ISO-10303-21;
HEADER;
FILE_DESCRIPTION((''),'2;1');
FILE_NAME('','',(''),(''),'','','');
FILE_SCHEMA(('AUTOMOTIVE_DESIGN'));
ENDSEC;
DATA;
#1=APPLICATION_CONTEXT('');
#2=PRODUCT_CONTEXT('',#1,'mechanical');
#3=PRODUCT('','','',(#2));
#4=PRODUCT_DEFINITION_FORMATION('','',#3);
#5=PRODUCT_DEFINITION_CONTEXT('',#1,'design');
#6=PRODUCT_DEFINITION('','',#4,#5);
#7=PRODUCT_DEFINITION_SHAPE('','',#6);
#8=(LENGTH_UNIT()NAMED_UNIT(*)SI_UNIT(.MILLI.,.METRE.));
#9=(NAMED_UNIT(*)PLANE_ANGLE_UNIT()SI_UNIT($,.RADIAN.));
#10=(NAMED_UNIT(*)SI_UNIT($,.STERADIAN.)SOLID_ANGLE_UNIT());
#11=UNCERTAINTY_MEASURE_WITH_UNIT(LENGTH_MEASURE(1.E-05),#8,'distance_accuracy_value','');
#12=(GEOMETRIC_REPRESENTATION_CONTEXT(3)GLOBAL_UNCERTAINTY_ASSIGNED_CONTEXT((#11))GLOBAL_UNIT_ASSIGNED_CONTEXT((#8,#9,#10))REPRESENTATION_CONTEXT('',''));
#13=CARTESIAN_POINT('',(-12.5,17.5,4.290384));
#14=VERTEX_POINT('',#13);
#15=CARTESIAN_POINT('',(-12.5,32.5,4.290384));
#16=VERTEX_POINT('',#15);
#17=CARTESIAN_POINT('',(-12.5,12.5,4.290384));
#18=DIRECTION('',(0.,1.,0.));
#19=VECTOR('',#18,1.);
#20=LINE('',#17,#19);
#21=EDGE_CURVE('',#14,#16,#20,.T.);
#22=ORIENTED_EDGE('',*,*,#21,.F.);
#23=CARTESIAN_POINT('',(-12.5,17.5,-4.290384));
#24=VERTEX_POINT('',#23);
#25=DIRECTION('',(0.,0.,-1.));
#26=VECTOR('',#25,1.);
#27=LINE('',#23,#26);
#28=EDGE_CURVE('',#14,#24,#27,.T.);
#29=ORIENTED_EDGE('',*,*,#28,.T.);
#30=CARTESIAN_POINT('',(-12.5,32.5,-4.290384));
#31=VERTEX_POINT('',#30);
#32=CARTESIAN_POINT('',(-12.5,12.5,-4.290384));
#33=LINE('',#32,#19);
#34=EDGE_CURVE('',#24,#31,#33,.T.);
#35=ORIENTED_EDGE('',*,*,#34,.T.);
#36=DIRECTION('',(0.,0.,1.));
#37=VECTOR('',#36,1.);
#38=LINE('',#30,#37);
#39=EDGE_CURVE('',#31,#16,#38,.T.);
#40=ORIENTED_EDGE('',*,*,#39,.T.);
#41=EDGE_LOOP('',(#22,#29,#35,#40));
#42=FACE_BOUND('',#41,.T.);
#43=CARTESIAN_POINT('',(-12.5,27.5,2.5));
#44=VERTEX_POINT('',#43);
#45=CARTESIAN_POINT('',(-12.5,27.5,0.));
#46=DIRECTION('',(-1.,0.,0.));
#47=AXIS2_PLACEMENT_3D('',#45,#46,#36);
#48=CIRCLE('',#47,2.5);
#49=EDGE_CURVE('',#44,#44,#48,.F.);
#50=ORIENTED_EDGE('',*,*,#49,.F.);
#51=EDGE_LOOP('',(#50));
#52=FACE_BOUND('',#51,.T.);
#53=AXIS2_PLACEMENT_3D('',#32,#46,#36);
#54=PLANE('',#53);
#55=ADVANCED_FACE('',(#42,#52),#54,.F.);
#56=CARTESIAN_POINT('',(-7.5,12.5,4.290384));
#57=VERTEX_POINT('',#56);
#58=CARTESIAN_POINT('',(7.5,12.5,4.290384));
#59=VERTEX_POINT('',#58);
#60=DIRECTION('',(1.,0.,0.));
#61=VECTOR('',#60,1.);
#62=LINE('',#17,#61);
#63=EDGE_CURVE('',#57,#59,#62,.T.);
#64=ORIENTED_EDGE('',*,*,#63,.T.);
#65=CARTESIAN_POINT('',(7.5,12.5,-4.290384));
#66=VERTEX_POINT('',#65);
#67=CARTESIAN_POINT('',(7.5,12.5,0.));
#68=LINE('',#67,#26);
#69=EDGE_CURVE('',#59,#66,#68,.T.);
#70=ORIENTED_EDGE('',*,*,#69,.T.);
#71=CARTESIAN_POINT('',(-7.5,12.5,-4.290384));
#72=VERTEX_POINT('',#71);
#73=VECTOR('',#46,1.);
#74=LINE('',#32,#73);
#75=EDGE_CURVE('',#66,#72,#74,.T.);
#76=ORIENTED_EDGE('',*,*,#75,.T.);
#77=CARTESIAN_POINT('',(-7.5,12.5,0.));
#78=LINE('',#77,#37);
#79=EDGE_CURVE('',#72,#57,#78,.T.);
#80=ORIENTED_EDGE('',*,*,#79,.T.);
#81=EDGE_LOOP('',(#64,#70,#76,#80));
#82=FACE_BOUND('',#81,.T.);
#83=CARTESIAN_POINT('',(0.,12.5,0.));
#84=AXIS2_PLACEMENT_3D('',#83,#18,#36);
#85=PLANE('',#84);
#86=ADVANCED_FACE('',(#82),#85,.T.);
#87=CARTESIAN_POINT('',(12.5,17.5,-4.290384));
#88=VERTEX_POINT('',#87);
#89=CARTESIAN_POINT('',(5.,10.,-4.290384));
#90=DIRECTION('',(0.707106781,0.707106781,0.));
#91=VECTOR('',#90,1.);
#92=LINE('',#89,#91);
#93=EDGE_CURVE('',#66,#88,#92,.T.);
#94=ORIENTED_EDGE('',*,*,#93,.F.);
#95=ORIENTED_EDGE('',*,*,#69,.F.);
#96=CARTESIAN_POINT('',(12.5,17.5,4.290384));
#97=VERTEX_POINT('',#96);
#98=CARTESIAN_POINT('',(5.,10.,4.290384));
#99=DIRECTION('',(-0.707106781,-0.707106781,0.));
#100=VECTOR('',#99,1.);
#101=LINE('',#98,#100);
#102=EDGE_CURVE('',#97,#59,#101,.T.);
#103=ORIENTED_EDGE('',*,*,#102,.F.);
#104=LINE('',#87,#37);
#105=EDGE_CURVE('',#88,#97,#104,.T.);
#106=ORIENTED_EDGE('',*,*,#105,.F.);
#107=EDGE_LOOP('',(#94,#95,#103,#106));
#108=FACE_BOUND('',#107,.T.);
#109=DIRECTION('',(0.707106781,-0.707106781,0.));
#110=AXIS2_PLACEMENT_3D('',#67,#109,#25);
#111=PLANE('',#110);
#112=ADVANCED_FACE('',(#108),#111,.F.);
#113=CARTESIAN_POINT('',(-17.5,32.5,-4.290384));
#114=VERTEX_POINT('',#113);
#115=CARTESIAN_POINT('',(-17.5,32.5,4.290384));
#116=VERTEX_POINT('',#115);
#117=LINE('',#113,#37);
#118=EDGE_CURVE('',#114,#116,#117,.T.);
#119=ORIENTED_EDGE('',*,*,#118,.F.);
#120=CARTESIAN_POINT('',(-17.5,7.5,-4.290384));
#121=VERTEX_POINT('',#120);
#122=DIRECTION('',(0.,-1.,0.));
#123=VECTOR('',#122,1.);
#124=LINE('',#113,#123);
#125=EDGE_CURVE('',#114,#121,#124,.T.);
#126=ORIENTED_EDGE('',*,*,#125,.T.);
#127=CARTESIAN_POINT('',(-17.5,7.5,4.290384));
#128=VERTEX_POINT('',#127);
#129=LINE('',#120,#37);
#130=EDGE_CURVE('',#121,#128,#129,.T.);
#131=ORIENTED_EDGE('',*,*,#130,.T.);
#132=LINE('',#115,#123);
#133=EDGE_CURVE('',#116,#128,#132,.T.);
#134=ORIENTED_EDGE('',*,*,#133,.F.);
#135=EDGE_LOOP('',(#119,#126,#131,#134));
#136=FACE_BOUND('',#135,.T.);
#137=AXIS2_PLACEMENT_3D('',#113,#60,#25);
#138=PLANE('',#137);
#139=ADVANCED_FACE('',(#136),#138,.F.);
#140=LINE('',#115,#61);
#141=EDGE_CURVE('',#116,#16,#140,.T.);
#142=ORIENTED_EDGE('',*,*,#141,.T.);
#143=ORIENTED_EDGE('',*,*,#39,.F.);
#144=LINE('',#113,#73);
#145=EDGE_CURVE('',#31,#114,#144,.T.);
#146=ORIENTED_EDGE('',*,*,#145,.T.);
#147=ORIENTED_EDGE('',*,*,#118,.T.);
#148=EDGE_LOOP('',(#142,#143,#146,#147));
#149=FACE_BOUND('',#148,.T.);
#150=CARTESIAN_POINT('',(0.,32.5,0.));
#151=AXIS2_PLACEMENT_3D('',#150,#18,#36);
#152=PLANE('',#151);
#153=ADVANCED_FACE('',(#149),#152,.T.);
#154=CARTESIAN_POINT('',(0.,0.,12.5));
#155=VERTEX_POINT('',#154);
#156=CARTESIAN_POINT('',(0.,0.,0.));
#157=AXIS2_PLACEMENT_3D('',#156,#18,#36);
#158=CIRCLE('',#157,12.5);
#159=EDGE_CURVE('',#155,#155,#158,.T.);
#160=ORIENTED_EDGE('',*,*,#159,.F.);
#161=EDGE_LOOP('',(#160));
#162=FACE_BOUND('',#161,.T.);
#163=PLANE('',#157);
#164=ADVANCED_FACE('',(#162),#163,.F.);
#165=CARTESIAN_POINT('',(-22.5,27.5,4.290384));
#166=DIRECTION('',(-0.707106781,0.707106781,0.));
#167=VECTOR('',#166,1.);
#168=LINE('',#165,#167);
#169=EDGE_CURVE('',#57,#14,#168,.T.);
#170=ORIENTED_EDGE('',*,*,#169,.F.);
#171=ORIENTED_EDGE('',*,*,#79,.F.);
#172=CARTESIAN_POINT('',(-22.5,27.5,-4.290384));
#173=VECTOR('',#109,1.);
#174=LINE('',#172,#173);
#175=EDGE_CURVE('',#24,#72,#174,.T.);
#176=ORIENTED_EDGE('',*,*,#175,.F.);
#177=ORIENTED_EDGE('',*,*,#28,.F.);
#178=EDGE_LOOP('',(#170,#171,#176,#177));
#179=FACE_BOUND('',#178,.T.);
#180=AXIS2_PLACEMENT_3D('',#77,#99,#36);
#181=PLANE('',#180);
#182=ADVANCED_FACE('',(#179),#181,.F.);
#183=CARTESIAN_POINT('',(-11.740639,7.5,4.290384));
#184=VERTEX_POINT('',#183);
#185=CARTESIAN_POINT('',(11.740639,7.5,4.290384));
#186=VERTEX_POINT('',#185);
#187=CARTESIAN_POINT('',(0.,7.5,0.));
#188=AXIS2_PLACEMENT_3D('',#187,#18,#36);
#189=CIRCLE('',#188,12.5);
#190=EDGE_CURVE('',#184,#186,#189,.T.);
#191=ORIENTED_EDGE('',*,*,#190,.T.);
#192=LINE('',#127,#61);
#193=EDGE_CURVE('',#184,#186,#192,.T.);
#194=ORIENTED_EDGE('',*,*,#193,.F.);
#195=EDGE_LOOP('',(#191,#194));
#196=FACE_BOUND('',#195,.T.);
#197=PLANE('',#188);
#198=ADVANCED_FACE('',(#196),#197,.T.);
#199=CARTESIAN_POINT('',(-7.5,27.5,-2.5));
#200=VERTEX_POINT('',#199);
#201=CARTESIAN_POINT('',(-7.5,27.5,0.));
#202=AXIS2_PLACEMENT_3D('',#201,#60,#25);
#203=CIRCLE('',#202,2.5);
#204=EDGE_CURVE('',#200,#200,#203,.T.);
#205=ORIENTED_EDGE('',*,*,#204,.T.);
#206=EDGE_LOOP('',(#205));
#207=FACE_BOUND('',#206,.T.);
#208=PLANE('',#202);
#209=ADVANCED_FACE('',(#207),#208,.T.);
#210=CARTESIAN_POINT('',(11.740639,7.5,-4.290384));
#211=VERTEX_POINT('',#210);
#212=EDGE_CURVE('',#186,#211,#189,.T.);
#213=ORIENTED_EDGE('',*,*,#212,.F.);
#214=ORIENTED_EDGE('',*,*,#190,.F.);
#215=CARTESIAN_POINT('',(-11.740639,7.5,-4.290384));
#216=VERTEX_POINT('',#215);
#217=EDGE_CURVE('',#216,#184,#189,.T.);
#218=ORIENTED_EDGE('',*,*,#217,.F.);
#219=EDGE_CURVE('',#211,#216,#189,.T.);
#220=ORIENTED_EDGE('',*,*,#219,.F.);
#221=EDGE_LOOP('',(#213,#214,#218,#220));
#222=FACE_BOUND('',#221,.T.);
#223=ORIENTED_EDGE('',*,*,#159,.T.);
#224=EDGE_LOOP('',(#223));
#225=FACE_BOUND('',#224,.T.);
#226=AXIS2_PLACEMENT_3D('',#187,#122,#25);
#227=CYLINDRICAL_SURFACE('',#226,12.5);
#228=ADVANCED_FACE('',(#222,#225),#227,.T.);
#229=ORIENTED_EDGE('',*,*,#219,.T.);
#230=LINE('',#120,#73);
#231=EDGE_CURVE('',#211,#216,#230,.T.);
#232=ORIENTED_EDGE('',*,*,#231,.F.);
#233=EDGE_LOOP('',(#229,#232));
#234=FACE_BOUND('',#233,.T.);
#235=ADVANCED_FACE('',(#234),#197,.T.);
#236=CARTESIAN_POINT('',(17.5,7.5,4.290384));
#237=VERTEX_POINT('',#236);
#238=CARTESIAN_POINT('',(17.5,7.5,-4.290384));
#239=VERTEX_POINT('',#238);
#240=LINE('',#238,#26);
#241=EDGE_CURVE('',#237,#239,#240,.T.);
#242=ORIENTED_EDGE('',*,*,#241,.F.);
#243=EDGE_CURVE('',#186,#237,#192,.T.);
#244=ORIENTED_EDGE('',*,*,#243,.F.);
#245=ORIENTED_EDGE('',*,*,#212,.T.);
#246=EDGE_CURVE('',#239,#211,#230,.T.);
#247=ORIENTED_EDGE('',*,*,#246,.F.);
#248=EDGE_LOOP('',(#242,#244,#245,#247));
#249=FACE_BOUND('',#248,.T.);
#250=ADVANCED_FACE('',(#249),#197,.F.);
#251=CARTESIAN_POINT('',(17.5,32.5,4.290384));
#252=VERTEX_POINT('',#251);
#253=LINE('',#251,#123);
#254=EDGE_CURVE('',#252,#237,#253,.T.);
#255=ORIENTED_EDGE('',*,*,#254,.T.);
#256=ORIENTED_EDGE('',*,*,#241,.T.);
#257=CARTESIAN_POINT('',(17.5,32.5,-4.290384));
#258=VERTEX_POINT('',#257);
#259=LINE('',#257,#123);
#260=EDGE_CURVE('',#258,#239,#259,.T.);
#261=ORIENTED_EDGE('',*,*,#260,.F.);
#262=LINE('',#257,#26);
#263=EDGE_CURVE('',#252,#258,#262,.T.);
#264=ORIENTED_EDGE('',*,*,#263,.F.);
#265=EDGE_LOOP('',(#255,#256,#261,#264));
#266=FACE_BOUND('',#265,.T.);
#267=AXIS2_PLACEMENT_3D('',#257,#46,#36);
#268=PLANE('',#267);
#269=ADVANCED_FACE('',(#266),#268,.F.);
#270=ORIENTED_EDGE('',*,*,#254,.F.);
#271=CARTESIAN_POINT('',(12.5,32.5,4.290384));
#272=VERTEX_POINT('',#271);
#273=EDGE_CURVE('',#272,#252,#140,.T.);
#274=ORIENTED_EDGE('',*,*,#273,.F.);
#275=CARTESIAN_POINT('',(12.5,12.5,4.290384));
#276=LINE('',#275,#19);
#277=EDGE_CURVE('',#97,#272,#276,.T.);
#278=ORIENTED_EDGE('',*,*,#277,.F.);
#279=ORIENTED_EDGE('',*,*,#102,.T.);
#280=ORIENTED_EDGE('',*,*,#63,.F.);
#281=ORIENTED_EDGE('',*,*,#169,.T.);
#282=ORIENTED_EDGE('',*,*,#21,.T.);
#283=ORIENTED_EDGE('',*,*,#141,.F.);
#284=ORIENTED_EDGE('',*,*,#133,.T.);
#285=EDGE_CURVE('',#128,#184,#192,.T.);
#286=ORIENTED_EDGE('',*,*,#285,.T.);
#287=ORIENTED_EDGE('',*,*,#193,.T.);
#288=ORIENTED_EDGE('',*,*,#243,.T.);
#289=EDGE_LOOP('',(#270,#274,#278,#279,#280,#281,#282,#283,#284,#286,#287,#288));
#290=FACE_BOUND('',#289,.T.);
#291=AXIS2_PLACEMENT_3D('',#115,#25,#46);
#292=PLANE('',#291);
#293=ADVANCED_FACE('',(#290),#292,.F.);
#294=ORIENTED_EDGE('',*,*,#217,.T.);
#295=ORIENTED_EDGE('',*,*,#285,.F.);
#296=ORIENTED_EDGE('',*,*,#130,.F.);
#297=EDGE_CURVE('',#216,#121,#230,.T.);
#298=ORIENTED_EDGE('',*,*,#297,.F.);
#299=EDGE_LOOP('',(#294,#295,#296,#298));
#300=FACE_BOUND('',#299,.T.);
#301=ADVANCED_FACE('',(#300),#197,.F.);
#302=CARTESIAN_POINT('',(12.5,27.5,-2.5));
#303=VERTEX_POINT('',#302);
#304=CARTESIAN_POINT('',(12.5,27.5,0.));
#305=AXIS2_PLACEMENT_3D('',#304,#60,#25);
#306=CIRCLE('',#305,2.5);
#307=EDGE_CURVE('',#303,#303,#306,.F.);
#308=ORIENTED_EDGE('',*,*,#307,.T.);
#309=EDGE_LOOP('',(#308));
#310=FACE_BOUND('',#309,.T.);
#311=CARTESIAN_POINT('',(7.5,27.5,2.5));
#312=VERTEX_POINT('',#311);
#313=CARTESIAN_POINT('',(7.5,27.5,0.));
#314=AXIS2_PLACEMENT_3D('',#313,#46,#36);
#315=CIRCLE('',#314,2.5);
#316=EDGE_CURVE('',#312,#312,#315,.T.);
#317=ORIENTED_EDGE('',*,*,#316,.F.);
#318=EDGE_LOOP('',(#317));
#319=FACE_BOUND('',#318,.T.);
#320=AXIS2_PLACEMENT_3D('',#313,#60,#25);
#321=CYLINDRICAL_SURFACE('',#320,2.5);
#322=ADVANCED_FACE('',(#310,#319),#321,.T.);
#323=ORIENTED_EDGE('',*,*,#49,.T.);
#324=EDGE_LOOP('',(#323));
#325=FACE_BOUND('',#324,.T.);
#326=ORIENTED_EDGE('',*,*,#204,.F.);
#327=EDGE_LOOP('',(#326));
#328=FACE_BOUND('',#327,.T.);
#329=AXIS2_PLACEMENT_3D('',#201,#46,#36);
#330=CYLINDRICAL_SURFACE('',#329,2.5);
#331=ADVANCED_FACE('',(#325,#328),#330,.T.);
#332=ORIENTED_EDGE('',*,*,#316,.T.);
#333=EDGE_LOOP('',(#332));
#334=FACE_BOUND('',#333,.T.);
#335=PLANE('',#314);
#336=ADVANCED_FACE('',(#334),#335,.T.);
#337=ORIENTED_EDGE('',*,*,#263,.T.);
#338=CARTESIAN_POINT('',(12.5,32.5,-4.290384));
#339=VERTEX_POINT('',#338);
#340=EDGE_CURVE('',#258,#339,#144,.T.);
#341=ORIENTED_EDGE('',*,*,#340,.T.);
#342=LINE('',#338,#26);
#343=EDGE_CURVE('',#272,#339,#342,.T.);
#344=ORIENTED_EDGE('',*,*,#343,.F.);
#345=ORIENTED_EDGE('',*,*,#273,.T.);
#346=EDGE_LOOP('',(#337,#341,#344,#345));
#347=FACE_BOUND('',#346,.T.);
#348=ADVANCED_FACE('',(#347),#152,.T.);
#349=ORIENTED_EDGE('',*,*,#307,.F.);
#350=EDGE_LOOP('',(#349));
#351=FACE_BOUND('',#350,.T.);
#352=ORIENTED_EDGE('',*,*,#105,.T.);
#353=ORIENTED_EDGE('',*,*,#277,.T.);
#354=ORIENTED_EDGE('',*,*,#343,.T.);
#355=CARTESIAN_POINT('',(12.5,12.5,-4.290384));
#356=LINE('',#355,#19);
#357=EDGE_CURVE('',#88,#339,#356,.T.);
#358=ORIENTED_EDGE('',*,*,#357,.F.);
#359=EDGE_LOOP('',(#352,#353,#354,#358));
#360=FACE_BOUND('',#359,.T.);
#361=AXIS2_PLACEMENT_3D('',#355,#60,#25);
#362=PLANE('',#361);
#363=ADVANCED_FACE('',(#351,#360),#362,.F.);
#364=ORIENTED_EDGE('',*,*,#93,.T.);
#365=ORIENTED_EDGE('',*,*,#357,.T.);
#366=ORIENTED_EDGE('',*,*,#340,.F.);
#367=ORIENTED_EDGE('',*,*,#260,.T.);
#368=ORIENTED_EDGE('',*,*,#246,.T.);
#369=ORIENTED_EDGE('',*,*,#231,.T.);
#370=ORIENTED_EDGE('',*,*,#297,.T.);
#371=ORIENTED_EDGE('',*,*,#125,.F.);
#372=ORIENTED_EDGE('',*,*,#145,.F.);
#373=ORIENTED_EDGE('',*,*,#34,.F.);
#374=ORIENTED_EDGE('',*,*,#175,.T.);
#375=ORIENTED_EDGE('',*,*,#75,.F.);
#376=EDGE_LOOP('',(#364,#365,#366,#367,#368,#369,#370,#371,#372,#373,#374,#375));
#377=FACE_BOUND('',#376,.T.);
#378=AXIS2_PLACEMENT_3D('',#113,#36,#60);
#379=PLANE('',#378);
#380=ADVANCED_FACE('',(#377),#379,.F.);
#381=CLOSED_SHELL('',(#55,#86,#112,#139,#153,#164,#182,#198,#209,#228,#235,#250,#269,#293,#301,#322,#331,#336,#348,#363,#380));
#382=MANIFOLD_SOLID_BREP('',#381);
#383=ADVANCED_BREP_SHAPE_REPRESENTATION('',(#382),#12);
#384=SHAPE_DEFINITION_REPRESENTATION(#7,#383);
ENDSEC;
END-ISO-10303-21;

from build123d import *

# Parameters (mm, degrees)
SKETCH1_R           = 12.5
BOSS_EXTRUDE1_DEPTH = 7.5
SKETCH2_W           = 35
SKETCH2_H           = 8.580767914
BOSS_EXTRUDE2_DEPTH = 25
SKETCH3_W           = 25
SKETCH3_H           = 8.580767914
CUT_EXTRUDE1_DEPTH  = 20
SKETCH4_R           = 2.5
BOSS_EXTRUDE3_DEPTH = 5
SKETCH5_R           = 2.5
BOSS_EXTRUDE4_DEPTH = 5
CHAMFER1_SIZE       = 5
CHAMFER2_SIZE       = 5


with BuildPart() as part:
    # Sketch1 → Boss-Extrude1 (new body)
    with BuildSketch(Plane(origin=(0, 0, 0), x_dir=(1, 0, 0), z_dir=(0, 1, 0))):
        Circle(SKETCH1_R)
    extrude(amount=BOSS_EXTRUDE1_DEPTH)

    # Sketch2 → Boss-Extrude2 (add)
    with BuildSketch(Plane(origin=(0, 7.5, 0), x_dir=(1, 0, 0), z_dir=(0, 1, 0))):
        Rectangle(SKETCH2_W, SKETCH2_H)
    extrude(amount=BOSS_EXTRUDE2_DEPTH)

    # Sketch3 → Cut-Extrude1 (cut)
    with BuildSketch(Plane(origin=(0, 32.5, 0), x_dir=(1, 0, 0), z_dir=(0, 1, 0))):
        Rectangle(SKETCH3_W, SKETCH3_H)
    extrude(amount=-CUT_EXTRUDE1_DEPTH, mode=Mode.SUBTRACT)

    # Sketch4 → Boss-Extrude3 (add)
    with BuildSketch(Plane(origin=(-12.5, 0, 0), x_dir=(0, 0, -1), z_dir=(1, 0, 0))):
        with Locations((0, 27.5)):
            Circle(SKETCH4_R)
    extrude(amount=BOSS_EXTRUDE3_DEPTH)

    # Sketch5 → Boss-Extrude4 (add)
    with BuildSketch(Plane.ZY.offset(-12.5)):
        with Locations((0, 27.5)):
            Circle(SKETCH5_R)
    extrude(amount=BOSS_EXTRUDE4_DEPTH)

    # Chamfer1
    chamfer1_edges = [part.edges().sort_by_distance(p)[0] for p in [
        (-12.5, 12.5, 0),
    ]]
    chamfer(chamfer1_edges, length=CHAMFER1_SIZE)

    # Chamfer2
    chamfer2_edges = [part.edges().sort_by_distance(p)[0] for p in [
        (12.5, 12.5, 0),
    ]]
    chamfer(chamfer2_edges, length=CHAMFER2_SIZE)


solid = part.part
